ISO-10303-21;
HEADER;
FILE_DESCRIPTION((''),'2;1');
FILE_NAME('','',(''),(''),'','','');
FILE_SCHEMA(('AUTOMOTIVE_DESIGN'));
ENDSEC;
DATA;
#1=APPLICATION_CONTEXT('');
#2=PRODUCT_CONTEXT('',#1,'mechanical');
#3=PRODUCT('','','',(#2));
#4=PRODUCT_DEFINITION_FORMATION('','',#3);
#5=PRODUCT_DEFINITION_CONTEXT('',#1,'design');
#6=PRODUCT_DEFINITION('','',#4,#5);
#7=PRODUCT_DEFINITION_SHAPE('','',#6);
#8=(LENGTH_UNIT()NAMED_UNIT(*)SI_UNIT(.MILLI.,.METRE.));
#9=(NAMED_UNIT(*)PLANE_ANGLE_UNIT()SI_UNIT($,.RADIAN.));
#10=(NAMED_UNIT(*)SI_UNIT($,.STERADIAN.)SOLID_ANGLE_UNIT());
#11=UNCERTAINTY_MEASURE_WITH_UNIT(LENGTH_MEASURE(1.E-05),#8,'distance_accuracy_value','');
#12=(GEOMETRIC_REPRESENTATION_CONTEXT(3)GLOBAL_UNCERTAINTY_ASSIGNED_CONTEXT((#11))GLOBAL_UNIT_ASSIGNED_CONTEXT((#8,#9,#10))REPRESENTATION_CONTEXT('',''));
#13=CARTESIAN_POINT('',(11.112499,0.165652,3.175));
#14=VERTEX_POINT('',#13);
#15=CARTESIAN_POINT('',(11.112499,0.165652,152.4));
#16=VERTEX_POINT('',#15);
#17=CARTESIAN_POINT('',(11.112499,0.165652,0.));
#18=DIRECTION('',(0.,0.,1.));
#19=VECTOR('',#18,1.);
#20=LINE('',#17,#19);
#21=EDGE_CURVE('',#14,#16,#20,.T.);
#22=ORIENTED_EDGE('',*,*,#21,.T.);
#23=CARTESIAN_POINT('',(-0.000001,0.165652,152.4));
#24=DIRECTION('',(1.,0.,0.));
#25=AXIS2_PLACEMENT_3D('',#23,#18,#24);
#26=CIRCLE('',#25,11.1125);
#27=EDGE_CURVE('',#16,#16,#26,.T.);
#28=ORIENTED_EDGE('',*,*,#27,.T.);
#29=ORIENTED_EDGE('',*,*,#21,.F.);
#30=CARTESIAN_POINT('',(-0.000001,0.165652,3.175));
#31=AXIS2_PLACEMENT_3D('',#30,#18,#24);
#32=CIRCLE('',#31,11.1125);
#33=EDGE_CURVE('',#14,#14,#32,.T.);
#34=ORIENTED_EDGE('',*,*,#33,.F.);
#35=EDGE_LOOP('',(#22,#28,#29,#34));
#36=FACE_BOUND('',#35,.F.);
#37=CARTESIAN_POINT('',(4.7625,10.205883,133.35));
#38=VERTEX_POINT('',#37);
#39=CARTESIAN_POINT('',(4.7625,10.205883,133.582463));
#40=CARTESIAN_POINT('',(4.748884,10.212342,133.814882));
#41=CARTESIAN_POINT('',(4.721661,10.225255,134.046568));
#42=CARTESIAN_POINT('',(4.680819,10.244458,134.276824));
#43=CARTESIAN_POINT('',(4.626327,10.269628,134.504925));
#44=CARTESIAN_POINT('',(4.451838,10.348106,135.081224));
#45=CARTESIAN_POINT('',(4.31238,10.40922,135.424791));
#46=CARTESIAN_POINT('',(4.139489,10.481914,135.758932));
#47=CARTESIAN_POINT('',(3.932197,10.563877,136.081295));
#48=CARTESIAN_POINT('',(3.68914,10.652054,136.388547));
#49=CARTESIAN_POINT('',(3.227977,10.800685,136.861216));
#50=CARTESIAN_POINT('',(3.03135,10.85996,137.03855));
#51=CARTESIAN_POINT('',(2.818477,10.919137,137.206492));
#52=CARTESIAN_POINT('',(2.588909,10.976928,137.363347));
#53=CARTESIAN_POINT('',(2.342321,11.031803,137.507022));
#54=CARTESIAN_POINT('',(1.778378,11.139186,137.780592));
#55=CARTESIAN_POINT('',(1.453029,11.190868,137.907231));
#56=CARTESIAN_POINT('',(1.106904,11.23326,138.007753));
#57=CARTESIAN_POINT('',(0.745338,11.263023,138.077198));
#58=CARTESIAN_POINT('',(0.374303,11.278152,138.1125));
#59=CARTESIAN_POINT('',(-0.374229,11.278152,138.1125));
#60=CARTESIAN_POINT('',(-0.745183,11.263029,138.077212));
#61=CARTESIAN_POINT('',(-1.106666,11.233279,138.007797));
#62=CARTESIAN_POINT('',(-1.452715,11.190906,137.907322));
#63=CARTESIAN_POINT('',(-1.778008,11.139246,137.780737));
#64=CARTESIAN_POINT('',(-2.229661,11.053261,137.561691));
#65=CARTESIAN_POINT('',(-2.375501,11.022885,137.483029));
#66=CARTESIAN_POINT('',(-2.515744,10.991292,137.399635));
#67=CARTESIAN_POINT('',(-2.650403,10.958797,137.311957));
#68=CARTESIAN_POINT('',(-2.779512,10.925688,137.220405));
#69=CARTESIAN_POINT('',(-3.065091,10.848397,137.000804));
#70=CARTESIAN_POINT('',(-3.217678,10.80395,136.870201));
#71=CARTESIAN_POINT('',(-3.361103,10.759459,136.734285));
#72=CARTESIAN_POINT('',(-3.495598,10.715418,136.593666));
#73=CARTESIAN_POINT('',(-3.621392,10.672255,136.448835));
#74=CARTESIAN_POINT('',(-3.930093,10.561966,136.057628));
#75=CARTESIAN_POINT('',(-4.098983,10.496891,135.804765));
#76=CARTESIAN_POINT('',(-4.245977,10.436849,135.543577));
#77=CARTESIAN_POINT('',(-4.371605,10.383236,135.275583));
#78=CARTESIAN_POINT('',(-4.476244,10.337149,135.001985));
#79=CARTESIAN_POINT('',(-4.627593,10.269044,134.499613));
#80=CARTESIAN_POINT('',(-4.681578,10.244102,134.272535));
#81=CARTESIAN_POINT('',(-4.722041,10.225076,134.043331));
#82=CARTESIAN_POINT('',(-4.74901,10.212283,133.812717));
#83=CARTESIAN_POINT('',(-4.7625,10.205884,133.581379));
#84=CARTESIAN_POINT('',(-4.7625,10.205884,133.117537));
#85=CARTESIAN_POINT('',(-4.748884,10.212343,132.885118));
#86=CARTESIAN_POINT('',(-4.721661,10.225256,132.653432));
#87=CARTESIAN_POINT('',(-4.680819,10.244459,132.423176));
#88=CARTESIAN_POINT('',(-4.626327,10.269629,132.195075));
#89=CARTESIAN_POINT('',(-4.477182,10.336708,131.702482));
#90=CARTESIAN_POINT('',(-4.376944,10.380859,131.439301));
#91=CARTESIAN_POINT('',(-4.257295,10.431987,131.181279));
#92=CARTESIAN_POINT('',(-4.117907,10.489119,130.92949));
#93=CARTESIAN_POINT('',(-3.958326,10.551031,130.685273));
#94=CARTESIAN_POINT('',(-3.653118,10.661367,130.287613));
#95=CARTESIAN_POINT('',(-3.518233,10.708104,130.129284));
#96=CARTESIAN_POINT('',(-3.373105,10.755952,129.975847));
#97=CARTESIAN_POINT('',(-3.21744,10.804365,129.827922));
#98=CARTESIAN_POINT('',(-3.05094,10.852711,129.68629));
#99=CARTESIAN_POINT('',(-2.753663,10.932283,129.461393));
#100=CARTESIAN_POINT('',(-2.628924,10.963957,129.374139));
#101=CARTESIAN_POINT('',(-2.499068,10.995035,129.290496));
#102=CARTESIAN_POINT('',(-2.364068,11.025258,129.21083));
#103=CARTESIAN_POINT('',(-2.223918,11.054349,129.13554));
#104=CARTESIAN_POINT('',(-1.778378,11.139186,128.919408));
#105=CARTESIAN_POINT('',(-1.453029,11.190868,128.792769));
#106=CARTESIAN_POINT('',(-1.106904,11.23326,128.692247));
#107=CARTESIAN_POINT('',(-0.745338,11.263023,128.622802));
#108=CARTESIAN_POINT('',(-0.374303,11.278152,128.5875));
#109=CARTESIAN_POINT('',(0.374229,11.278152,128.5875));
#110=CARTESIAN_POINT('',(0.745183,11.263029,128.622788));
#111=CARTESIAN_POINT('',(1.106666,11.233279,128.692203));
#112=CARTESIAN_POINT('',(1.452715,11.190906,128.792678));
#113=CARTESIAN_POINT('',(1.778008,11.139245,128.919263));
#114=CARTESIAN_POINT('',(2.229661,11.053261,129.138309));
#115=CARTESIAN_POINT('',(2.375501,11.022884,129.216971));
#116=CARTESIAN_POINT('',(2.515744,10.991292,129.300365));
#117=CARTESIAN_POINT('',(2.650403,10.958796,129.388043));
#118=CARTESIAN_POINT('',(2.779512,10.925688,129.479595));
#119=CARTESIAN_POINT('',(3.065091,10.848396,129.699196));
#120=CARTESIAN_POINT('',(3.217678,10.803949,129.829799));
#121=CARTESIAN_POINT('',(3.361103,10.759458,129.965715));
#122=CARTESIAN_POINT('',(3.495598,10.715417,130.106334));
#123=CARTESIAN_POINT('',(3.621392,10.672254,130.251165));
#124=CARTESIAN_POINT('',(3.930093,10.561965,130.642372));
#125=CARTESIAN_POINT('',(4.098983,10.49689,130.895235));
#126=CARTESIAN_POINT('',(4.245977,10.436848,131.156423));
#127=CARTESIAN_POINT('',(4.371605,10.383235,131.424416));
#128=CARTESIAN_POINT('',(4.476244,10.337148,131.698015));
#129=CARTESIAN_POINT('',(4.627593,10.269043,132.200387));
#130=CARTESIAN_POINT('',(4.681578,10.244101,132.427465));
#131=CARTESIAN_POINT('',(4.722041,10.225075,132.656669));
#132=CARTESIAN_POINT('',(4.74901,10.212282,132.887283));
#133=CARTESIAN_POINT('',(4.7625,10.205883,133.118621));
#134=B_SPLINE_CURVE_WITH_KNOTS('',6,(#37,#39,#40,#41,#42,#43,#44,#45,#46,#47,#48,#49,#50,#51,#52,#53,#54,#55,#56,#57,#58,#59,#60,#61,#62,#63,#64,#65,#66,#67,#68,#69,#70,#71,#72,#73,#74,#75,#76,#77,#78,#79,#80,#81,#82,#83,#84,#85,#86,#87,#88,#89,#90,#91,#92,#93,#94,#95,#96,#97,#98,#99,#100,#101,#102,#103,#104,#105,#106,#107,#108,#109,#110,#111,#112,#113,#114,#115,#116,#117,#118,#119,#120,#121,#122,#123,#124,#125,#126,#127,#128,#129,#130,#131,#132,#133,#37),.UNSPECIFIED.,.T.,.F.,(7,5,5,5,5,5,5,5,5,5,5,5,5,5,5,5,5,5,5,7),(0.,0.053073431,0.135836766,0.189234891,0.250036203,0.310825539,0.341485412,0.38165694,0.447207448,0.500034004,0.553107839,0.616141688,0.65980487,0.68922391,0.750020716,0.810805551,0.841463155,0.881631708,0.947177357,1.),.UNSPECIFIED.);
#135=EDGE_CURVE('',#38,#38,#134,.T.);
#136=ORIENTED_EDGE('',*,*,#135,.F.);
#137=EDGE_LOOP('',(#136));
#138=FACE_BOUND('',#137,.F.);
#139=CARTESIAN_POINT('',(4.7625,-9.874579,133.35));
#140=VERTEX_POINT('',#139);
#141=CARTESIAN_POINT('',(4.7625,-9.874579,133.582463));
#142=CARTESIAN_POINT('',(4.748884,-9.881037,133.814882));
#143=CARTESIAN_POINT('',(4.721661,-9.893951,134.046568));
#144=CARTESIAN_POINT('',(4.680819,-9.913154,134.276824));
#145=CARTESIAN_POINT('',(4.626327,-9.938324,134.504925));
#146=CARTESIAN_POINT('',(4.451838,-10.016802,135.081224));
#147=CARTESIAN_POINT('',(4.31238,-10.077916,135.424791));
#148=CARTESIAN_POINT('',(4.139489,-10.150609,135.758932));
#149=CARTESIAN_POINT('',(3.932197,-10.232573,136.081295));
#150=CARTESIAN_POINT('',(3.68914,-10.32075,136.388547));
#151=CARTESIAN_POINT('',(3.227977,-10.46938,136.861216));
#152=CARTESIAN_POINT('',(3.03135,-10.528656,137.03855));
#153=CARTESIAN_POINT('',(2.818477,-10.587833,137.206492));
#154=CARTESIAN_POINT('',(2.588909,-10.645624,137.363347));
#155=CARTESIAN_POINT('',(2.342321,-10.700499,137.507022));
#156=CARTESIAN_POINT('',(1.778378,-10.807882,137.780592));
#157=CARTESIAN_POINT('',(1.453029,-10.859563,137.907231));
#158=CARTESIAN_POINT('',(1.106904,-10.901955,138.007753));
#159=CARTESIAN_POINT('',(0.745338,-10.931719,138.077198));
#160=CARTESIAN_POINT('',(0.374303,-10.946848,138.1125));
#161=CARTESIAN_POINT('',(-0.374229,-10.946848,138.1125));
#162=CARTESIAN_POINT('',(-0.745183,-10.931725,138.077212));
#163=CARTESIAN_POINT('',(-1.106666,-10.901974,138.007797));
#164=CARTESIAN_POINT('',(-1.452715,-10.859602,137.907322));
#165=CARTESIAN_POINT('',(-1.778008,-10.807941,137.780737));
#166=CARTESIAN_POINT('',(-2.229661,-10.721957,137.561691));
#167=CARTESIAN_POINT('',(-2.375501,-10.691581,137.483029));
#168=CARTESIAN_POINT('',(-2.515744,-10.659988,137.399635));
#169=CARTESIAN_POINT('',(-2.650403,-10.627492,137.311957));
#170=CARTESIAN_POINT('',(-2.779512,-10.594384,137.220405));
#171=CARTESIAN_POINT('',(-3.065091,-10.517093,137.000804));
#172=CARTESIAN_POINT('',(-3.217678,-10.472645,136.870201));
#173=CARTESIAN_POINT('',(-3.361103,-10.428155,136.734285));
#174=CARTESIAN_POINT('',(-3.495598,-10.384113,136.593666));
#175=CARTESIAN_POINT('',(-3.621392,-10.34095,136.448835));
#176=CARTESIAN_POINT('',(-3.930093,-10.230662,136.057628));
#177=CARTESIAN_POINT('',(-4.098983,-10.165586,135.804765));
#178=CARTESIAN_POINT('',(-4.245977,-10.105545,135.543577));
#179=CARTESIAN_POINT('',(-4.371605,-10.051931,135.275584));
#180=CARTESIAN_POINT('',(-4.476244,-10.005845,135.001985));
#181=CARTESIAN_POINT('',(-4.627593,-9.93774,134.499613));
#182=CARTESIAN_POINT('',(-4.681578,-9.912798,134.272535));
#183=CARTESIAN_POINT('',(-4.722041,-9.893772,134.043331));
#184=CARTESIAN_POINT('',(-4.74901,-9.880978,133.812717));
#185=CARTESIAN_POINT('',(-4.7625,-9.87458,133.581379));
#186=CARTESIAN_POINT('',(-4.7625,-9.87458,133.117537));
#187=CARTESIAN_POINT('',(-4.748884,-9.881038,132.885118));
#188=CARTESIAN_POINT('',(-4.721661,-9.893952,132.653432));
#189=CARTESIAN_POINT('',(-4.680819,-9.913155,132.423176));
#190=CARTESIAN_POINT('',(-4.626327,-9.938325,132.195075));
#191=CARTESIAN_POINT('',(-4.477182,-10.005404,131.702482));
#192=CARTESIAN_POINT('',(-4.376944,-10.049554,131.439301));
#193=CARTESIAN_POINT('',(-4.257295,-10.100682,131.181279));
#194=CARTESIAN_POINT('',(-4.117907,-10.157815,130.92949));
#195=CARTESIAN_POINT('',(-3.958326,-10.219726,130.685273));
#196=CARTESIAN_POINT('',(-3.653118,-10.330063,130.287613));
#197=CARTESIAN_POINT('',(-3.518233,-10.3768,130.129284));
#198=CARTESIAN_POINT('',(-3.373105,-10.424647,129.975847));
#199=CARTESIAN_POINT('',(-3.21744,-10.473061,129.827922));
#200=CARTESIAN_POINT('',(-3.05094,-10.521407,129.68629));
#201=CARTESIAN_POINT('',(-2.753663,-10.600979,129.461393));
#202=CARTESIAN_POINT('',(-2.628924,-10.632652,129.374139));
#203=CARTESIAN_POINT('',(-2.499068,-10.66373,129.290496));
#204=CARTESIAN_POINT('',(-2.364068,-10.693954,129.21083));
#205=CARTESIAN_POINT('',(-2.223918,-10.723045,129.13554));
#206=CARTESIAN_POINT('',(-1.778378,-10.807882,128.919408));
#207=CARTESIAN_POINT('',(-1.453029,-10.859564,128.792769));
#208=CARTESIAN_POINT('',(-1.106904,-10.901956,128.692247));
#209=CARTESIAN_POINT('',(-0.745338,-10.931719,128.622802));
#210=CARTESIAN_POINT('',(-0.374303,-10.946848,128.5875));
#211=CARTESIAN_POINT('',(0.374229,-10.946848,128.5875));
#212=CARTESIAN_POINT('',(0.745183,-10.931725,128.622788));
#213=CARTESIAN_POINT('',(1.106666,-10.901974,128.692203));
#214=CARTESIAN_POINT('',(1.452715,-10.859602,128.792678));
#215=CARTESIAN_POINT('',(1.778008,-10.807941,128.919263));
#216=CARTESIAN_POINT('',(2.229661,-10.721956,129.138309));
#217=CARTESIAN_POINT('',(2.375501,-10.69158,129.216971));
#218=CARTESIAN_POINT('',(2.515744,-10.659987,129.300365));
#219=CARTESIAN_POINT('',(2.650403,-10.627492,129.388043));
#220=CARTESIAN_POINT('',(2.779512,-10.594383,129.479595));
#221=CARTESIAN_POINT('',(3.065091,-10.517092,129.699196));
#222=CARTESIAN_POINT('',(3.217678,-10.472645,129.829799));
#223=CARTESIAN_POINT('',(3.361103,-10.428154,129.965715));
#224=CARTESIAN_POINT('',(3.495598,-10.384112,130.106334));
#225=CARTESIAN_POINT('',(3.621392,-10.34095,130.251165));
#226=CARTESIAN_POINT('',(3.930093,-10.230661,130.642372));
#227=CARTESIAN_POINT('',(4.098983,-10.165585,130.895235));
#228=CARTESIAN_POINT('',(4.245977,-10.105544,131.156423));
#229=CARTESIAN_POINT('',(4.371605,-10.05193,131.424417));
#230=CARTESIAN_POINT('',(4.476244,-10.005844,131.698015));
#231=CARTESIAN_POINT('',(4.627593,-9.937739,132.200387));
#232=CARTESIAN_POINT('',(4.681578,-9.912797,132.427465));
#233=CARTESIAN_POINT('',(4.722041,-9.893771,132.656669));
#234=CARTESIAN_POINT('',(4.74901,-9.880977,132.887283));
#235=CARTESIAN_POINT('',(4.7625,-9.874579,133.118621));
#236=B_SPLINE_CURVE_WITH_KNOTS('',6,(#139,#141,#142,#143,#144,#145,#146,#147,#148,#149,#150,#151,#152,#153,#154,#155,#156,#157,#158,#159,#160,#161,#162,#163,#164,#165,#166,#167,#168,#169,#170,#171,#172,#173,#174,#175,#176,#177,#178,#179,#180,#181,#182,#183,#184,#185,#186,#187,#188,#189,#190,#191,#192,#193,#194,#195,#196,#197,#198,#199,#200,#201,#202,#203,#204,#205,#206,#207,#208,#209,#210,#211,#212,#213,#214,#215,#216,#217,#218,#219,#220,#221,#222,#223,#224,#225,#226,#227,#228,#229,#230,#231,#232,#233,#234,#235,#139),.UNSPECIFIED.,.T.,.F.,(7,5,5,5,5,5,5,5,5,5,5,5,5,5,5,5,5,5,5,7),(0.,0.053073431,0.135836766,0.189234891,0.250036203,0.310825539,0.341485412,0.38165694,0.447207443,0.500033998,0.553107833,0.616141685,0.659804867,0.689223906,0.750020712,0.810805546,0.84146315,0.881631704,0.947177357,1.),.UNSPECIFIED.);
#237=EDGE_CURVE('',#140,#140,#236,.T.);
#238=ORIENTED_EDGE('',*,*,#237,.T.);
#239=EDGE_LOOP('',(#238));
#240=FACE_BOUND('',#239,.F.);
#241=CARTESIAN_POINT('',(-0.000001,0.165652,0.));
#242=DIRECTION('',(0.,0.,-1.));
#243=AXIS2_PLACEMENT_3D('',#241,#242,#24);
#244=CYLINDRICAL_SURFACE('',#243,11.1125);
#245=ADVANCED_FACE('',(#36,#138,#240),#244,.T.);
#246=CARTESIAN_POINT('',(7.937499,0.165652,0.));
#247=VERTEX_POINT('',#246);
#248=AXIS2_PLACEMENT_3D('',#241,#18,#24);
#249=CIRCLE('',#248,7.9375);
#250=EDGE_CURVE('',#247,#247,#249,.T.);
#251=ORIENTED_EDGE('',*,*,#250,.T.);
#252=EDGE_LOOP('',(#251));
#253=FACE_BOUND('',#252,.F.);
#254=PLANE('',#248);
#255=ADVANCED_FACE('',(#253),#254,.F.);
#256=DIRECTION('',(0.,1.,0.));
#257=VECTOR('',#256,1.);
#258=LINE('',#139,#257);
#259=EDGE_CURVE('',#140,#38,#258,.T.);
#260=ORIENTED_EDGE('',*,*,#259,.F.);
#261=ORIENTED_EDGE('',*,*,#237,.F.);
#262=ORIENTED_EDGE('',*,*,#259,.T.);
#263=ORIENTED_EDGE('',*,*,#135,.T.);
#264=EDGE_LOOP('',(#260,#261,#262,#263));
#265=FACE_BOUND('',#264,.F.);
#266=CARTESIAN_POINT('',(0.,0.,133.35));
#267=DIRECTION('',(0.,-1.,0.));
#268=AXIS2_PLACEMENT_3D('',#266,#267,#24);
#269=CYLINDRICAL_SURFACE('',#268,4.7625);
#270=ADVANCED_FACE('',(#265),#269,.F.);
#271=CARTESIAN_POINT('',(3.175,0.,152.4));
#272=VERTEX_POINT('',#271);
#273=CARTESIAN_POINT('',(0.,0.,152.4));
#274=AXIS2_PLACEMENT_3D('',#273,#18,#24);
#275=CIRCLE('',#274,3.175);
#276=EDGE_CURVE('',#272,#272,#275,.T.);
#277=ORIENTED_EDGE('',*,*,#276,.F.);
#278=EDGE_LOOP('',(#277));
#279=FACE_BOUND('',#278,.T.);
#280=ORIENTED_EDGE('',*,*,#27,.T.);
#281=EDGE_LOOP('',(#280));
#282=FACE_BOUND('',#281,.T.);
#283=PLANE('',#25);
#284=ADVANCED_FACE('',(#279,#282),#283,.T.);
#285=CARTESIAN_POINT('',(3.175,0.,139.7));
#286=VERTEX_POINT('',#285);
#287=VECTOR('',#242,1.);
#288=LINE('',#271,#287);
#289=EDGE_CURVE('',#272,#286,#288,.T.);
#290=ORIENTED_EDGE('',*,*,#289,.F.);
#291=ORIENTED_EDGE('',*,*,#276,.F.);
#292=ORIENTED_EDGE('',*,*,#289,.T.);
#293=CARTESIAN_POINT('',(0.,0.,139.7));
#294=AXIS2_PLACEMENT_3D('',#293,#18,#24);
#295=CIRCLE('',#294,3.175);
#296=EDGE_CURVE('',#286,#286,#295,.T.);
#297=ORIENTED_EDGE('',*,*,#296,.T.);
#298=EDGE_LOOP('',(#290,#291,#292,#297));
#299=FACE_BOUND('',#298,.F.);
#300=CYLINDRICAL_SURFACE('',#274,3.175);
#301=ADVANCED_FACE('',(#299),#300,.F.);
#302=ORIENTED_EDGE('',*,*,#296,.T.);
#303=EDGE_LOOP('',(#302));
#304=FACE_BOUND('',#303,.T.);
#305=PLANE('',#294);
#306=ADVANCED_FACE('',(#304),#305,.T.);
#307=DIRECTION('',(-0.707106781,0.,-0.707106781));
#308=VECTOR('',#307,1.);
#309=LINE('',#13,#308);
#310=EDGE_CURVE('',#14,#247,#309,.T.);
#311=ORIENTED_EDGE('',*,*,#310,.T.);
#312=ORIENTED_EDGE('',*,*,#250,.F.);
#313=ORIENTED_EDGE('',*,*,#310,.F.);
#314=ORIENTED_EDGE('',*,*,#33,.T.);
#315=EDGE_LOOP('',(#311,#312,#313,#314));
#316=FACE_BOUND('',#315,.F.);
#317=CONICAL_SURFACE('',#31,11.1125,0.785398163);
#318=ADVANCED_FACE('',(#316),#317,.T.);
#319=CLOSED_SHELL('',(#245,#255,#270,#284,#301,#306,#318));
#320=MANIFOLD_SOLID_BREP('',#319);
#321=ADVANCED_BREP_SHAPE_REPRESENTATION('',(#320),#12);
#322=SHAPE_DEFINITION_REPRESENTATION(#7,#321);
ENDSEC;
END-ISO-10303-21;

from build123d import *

# Parameters (mm, degrees)
F0_R          = 11.1125
F1_DEPTH      = 152.4
F2_SIZE       = 3.175
F3_R          = 4.7625
F4_DEPTH      = 25.4
F4_DEPTH_BACK = 25.4
F5_R          = 3.175
F6_DEPTH      = 12.7


with BuildPart() as f1:
    # F0 (on Top) → F1 (new body)
    with BuildSketch(Plane.XY):
        with Locations((-1.1552e-06, 0.1656521781)):
            Circle(F0_R)
    extrude(amount=F1_DEPTH)

    # F2
    f2_edges = [f1.edges().sort_by_distance(p)[0] for p in [
        (-11.112501, 0.165652, 0),
    ]]
    chamfer(f2_edges, length=F2_SIZE)

    # F3 (on Front) → F4 (cut, two sides)
    with BuildSketch(Plane.XZ) as f4_sk:
        with Locations((0, 133.35)):
            Circle(F3_R)
    extrude(amount=-F4_DEPTH, mode=Mode.SUBTRACT)
    extrude(f4_sk.sketch, amount=F4_DEPTH_BACK, mode=Mode.SUBTRACT)

    # F5 (on face) → F6 (cut)
    with BuildSketch(Plane.XY.offset(152.4)):
        Circle(F5_R)
    extrude(amount=-F6_DEPTH, mode=Mode.SUBTRACT)


solid = f1.part
